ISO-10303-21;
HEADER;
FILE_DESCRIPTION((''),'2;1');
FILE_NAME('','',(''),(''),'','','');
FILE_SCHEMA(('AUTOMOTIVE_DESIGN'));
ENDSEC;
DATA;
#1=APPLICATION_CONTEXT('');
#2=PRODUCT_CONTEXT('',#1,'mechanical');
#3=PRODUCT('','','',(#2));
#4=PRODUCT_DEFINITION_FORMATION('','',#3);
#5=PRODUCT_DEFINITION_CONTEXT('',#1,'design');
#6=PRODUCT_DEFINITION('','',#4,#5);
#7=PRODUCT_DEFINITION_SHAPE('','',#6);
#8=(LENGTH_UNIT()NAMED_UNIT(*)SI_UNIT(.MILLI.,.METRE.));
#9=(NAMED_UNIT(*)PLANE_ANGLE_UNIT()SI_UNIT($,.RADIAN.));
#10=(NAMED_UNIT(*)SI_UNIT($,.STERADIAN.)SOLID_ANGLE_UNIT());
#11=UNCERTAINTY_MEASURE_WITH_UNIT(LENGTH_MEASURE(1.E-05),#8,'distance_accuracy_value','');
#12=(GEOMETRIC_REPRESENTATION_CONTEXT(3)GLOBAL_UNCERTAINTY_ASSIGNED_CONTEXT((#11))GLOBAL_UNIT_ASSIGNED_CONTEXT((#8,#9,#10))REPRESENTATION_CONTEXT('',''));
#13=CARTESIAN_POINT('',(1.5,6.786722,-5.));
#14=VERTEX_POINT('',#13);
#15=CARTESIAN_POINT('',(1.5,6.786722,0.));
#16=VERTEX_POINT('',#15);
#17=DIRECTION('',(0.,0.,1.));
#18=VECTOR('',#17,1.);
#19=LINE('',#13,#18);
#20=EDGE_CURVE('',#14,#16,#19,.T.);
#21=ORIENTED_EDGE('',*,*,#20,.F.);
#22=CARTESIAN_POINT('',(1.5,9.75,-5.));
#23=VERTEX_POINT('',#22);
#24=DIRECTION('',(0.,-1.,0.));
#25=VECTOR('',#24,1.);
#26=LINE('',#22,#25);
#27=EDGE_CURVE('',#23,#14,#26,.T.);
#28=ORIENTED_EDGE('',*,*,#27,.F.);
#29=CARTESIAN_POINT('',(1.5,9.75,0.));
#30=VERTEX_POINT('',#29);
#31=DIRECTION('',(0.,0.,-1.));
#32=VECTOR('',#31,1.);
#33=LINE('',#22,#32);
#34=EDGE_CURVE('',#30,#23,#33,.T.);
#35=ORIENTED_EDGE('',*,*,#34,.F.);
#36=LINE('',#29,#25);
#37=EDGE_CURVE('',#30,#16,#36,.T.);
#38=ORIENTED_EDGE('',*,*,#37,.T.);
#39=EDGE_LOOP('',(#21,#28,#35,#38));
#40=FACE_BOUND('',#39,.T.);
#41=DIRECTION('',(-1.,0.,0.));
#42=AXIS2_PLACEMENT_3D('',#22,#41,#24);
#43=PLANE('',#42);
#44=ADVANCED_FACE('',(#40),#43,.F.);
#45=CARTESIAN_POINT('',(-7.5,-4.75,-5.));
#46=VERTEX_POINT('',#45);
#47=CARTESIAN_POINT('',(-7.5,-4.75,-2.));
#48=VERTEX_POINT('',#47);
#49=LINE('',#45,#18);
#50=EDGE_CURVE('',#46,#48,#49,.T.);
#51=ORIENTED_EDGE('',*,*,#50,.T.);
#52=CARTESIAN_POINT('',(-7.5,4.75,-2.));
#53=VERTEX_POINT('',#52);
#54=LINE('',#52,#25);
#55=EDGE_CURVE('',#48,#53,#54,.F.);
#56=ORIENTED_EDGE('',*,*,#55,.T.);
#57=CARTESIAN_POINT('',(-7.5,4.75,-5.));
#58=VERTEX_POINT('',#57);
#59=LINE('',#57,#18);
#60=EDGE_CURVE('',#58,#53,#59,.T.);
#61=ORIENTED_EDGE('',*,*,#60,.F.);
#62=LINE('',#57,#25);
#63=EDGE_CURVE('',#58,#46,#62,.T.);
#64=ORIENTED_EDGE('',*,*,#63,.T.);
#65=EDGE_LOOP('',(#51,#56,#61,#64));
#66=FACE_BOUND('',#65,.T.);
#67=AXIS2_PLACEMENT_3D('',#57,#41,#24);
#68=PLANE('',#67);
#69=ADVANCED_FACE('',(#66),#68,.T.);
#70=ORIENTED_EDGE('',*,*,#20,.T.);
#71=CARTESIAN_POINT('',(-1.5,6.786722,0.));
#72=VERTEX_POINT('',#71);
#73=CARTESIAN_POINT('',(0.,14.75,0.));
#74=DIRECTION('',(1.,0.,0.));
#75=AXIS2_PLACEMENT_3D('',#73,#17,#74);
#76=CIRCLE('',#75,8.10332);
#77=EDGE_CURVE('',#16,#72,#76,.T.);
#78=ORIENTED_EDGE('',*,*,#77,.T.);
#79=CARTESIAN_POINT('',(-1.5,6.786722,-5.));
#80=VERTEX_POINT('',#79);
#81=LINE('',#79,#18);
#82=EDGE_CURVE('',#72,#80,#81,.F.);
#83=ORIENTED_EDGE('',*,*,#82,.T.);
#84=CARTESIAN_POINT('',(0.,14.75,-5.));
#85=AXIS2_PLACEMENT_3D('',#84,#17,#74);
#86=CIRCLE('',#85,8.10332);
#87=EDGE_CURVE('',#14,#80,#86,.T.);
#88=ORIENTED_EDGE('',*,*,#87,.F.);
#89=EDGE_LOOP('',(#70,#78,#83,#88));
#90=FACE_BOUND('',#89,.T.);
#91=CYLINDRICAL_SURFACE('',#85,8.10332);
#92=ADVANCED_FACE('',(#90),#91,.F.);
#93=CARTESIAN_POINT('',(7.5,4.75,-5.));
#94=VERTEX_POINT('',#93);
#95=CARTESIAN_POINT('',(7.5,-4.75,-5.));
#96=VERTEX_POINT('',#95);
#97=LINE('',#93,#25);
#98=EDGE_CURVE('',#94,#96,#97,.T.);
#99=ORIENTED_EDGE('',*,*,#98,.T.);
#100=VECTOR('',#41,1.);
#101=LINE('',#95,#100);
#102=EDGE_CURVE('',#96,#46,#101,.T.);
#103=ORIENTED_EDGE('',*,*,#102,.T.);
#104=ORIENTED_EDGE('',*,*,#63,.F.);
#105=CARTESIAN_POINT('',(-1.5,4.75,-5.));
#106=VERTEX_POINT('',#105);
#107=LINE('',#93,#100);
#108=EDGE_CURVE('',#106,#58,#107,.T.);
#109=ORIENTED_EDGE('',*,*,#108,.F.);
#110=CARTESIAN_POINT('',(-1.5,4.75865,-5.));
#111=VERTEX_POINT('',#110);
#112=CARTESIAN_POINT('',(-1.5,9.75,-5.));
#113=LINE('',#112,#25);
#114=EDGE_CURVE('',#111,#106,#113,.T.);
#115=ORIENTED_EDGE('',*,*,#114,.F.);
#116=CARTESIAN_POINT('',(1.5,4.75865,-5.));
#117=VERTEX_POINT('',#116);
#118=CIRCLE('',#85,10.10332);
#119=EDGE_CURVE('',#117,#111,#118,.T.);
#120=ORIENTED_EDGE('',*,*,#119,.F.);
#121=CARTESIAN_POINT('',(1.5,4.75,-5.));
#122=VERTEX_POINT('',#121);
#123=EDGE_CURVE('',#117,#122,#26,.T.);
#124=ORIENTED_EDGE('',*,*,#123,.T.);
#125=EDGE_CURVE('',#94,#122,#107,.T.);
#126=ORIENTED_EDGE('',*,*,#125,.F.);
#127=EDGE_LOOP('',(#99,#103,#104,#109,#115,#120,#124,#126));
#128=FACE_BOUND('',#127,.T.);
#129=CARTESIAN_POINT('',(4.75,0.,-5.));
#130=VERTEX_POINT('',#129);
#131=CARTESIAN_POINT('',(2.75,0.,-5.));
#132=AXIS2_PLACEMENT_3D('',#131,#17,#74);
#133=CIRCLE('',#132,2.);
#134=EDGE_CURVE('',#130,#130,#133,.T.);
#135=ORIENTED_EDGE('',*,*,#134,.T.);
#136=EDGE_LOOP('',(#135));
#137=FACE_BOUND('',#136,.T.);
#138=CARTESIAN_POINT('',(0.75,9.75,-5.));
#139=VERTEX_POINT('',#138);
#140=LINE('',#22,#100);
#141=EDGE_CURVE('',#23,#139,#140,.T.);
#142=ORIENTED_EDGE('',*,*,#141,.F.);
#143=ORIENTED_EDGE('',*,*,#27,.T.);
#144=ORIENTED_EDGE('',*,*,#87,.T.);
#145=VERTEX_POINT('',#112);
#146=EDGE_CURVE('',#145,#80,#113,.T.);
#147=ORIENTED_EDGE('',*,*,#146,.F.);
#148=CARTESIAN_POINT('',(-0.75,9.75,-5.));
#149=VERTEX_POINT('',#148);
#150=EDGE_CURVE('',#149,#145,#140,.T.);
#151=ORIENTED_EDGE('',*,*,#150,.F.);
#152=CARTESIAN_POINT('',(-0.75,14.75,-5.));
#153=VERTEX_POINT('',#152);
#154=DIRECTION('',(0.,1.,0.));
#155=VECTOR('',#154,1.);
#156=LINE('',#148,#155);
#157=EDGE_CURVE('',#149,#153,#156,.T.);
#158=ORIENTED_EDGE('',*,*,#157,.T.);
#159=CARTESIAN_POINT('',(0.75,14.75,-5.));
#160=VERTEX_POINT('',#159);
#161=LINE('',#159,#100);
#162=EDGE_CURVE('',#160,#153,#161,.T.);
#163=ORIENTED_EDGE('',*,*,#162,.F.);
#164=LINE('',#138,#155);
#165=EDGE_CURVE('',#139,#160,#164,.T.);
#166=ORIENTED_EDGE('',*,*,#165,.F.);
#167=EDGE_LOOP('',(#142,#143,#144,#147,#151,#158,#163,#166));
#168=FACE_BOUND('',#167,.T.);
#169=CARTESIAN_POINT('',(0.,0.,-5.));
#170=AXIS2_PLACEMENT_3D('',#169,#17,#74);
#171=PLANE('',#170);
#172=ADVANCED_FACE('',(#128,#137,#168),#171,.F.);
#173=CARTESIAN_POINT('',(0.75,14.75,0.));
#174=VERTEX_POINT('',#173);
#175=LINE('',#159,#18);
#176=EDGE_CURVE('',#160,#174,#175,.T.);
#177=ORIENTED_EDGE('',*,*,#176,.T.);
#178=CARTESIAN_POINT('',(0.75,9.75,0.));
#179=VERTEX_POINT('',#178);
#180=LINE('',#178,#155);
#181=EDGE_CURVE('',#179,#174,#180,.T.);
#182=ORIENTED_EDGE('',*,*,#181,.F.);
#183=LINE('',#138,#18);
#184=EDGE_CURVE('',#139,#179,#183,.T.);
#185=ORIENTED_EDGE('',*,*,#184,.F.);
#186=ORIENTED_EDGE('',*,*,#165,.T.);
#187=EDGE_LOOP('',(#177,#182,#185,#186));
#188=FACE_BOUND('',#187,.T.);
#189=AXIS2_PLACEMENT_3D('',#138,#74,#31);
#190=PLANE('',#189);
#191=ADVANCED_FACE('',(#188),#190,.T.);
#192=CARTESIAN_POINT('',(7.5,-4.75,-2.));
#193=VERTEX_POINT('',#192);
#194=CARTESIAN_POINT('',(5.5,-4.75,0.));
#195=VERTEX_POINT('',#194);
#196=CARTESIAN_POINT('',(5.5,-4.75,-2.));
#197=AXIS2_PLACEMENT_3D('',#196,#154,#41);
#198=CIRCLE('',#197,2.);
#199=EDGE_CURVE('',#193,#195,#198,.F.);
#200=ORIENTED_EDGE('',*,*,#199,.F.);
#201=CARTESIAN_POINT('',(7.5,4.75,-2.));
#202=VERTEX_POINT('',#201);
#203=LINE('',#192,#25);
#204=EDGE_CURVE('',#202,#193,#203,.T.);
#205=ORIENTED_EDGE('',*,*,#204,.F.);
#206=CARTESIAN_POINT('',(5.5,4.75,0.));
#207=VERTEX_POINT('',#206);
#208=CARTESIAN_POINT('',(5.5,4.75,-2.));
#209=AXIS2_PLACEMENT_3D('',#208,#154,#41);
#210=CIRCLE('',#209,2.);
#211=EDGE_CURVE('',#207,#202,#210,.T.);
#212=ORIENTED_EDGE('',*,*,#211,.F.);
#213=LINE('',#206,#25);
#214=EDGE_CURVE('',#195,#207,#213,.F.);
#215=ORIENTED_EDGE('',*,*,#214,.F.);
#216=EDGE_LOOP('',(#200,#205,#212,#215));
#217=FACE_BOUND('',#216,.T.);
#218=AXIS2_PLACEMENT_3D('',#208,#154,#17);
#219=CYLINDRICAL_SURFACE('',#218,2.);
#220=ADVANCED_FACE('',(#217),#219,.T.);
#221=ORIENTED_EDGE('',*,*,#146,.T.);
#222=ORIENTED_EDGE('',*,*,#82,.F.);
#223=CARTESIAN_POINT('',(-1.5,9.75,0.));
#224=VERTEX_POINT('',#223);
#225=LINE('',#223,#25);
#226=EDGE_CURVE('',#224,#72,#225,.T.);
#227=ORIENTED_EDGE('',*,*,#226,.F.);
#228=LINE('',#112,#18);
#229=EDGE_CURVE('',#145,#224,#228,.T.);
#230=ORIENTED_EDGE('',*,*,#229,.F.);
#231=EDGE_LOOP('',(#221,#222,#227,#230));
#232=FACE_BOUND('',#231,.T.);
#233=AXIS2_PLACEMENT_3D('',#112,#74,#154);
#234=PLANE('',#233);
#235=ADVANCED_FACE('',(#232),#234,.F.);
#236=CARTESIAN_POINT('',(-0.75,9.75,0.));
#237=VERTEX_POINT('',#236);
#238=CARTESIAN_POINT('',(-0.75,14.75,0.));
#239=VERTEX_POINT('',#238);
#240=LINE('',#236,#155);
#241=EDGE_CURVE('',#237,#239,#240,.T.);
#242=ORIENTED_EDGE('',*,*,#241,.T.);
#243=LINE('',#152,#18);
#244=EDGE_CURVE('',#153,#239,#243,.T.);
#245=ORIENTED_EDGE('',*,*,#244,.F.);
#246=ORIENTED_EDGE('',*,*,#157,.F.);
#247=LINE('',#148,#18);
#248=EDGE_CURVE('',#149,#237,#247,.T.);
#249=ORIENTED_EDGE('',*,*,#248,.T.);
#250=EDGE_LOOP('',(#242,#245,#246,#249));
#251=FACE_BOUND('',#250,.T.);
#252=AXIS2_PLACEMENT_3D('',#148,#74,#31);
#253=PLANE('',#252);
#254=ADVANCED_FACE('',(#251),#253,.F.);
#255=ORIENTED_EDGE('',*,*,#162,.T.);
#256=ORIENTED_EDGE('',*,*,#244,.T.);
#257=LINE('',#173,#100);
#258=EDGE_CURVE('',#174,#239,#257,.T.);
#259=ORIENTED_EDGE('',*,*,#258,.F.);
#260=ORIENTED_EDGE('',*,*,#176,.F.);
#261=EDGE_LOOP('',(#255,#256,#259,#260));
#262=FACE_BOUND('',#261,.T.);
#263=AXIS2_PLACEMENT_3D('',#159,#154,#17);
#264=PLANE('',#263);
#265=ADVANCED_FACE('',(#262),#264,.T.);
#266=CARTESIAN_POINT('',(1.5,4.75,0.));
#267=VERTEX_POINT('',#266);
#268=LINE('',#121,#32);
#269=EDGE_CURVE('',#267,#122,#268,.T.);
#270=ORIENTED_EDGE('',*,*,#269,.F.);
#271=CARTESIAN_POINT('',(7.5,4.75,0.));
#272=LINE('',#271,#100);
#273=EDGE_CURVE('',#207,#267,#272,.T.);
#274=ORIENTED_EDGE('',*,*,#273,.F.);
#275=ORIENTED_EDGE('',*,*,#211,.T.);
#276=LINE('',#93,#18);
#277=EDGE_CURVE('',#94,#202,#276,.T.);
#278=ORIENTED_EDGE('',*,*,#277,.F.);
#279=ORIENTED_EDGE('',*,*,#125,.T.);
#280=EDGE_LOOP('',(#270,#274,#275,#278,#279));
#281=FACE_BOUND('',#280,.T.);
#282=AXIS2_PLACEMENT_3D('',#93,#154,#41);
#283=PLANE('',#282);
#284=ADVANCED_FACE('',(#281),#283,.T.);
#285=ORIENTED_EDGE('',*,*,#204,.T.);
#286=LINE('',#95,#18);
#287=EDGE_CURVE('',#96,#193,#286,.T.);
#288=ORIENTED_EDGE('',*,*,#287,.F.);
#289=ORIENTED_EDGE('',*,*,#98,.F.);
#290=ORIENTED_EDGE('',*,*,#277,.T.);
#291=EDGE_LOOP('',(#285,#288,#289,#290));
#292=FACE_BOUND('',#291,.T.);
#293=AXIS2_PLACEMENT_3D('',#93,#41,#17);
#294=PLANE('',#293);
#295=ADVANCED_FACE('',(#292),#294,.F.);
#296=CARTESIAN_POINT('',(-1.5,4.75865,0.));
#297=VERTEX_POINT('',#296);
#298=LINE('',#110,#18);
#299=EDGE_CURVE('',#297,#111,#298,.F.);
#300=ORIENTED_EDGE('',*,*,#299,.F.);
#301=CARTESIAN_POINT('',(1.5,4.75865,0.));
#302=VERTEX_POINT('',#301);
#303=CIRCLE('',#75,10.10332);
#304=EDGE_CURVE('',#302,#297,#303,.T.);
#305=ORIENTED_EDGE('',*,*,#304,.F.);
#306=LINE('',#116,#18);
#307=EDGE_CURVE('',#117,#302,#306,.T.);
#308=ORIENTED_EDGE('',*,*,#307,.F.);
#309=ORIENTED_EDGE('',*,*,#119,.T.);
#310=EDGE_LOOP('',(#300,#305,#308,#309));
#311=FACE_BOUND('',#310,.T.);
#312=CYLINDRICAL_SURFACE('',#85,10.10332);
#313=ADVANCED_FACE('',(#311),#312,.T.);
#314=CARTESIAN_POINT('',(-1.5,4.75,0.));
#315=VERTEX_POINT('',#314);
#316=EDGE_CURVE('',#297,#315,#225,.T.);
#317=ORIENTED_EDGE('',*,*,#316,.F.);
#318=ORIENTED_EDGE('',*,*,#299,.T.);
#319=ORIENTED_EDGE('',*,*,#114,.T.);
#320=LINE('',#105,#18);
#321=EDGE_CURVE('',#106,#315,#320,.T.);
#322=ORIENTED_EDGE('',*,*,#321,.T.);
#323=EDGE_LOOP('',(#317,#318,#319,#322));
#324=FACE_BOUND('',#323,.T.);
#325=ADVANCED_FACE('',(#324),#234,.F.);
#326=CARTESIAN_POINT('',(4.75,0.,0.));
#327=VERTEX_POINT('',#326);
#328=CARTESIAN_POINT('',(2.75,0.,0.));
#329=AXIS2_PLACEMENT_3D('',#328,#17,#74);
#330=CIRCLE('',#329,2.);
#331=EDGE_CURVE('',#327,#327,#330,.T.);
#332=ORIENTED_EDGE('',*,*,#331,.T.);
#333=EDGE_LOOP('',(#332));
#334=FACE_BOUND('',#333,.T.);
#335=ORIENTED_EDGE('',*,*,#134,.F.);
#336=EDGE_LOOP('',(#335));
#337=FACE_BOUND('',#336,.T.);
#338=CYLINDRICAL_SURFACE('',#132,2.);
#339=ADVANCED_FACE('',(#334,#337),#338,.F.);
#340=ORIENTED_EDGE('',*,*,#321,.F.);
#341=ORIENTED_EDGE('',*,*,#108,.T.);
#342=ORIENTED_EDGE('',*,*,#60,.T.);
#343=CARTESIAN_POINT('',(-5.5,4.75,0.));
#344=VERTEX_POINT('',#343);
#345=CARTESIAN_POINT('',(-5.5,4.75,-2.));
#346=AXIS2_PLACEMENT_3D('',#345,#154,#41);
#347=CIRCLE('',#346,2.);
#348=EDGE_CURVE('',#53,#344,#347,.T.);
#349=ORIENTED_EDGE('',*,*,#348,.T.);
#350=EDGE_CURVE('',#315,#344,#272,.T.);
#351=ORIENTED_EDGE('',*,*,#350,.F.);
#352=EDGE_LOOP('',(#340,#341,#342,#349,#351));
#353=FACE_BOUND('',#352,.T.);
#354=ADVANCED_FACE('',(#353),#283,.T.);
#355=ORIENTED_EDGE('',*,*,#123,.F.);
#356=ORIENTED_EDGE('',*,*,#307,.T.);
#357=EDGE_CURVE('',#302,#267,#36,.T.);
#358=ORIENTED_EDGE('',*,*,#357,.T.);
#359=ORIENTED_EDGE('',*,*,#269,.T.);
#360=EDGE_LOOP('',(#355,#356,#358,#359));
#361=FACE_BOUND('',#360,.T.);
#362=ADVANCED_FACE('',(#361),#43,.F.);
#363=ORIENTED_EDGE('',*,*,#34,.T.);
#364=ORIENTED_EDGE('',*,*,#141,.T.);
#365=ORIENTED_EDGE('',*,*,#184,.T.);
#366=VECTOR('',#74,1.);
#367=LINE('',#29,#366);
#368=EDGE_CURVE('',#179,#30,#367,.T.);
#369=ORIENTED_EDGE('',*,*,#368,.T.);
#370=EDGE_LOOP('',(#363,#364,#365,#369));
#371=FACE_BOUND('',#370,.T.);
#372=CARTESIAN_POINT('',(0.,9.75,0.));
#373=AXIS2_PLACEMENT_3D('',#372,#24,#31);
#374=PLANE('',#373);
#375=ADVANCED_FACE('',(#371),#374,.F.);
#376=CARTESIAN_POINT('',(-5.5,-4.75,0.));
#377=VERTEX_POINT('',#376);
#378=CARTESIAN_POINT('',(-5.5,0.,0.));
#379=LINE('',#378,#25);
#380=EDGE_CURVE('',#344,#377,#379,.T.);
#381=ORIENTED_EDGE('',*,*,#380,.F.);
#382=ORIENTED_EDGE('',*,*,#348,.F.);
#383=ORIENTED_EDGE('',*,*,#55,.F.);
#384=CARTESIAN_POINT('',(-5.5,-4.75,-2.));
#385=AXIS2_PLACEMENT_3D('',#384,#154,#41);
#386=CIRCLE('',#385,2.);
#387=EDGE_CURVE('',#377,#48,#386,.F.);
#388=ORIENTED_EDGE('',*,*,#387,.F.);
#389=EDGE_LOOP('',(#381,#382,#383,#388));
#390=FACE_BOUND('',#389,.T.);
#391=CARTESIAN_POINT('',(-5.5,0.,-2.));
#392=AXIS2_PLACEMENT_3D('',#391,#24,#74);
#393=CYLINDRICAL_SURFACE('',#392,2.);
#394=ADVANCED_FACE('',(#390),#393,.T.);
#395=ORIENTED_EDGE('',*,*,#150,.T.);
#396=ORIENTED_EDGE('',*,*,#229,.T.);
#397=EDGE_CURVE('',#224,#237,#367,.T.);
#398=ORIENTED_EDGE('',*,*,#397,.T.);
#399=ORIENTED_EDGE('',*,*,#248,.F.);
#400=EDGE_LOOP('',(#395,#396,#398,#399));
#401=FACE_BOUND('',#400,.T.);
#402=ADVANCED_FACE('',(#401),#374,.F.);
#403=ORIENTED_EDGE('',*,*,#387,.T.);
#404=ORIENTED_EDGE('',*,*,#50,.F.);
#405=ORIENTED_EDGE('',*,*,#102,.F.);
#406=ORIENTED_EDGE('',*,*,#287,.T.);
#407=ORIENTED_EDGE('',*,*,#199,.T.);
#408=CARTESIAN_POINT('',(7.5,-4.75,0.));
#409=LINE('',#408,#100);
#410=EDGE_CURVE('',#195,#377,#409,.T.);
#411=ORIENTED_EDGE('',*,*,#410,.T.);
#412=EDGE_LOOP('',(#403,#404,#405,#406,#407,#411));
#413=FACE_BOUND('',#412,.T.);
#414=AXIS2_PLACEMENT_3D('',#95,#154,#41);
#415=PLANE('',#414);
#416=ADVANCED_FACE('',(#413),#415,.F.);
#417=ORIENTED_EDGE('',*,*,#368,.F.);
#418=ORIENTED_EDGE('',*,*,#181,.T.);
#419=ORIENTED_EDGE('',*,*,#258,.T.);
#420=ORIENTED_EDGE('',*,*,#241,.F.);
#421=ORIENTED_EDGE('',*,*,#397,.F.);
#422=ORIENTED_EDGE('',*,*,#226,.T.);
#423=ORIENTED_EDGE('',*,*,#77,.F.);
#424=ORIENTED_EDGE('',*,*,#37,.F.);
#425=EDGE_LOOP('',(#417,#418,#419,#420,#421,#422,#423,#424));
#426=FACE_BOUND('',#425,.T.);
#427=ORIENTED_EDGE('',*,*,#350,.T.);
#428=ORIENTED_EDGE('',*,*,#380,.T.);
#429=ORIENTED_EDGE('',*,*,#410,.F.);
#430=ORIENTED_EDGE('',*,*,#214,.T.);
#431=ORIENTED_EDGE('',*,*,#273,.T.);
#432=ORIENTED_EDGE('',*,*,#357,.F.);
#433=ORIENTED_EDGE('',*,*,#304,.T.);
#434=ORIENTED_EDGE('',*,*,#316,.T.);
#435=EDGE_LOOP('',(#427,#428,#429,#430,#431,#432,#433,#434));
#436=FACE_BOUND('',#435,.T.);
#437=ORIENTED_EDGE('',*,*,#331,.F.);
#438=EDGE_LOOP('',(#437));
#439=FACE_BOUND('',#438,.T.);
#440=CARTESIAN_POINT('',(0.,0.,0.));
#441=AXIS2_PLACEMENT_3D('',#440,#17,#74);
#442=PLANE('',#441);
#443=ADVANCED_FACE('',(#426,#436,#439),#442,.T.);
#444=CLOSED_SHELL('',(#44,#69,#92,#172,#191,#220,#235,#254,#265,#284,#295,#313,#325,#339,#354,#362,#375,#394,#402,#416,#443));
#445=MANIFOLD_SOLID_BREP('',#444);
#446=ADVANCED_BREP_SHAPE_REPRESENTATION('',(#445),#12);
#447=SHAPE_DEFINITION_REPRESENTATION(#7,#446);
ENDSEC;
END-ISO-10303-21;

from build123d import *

# Parameters (mm, degrees)
SKETCH1_W               = 15
SKETCH1_H               = 9.5
BOSS_EXTRUDE2_DEPTH     = 5
CUT_EXTRUDE1_DEPTH      = 11.188841936
CUT_EXTRUDE1_DEPTH_BACK = 11.188841936
SKETCH3_R               = 2
SKETCH4_W               = 3
SKETCH4_H               = 5
BOSS_EXTRUDE3_DEPTH     = 5
FILLET1_R               = 2
SKETCH5_W               = 1.5
SKETCH5_H               = 5
BOSS_EXTRUDE4_DEPTH     = 5
SKETCH6_R               = 10.103320079
SKETCH6_R_2             = 8.103320079
BOSS_EXTRUDE5_DEPTH     = 5


with BuildPart() as part:
    # Sketch1 → Boss-Extrude2 (new body)
    with BuildSketch(Plane.XY):
        Rectangle(SKETCH1_W, SKETCH1_H)
    extrude(amount=-BOSS_EXTRUDE2_DEPTH)

    # Sketch3 → Cut-Extrude1 (cut, two sides: drawn at the far end of the back side and taken through both)
    with BuildSketch(Plane.XY.offset(-CUT_EXTRUDE1_DEPTH_BACK)):
        with Locations((2.75, 0)):
            Circle(SKETCH3_R)
    extrude(amount=CUT_EXTRUDE1_DEPTH + CUT_EXTRUDE1_DEPTH_BACK, mode=Mode.SUBTRACT)

    # Sketch4 → Boss-Extrude3 (add)
    with BuildSketch(Plane(origin=(0, 4.75, 0), x_dir=(1, 0, 0), z_dir=(0, 1, 0))):
        with Locations((0, 2.5)):
            Rectangle(SKETCH4_W, SKETCH4_H)
    extrude(amount=BOSS_EXTRUDE3_DEPTH)

    # Fillet1
    fillet1_edges = [part.edges().sort_by_distance(p)[0] for p in [
        (7.5, 0, 0),
        (-7.5, 0, 0),
    ]]
    fillet(fillet1_edges, radius=FILLET1_R)

    # Sketch5 → Boss-Extrude4 (add)
    with BuildSketch(Plane.XY):
        with Locations((0, 12.25)):
            Rectangle(SKETCH5_W, SKETCH5_H)
    extrude(amount=-BOSS_EXTRUDE4_DEPTH)

    # Sketch6 → Boss-Extrude5 (add)
    with BuildSketch(Plane.XY):
        with Locations((0, 14.75)):
            Circle(SKETCH6_R)
        with Locations((0, 14.75)):
            Circle(SKETCH6_R_2, mode=Mode.SUBTRACT)
    extrude(amount=-BOSS_EXTRUDE5_DEPTH)


solid = part.part
